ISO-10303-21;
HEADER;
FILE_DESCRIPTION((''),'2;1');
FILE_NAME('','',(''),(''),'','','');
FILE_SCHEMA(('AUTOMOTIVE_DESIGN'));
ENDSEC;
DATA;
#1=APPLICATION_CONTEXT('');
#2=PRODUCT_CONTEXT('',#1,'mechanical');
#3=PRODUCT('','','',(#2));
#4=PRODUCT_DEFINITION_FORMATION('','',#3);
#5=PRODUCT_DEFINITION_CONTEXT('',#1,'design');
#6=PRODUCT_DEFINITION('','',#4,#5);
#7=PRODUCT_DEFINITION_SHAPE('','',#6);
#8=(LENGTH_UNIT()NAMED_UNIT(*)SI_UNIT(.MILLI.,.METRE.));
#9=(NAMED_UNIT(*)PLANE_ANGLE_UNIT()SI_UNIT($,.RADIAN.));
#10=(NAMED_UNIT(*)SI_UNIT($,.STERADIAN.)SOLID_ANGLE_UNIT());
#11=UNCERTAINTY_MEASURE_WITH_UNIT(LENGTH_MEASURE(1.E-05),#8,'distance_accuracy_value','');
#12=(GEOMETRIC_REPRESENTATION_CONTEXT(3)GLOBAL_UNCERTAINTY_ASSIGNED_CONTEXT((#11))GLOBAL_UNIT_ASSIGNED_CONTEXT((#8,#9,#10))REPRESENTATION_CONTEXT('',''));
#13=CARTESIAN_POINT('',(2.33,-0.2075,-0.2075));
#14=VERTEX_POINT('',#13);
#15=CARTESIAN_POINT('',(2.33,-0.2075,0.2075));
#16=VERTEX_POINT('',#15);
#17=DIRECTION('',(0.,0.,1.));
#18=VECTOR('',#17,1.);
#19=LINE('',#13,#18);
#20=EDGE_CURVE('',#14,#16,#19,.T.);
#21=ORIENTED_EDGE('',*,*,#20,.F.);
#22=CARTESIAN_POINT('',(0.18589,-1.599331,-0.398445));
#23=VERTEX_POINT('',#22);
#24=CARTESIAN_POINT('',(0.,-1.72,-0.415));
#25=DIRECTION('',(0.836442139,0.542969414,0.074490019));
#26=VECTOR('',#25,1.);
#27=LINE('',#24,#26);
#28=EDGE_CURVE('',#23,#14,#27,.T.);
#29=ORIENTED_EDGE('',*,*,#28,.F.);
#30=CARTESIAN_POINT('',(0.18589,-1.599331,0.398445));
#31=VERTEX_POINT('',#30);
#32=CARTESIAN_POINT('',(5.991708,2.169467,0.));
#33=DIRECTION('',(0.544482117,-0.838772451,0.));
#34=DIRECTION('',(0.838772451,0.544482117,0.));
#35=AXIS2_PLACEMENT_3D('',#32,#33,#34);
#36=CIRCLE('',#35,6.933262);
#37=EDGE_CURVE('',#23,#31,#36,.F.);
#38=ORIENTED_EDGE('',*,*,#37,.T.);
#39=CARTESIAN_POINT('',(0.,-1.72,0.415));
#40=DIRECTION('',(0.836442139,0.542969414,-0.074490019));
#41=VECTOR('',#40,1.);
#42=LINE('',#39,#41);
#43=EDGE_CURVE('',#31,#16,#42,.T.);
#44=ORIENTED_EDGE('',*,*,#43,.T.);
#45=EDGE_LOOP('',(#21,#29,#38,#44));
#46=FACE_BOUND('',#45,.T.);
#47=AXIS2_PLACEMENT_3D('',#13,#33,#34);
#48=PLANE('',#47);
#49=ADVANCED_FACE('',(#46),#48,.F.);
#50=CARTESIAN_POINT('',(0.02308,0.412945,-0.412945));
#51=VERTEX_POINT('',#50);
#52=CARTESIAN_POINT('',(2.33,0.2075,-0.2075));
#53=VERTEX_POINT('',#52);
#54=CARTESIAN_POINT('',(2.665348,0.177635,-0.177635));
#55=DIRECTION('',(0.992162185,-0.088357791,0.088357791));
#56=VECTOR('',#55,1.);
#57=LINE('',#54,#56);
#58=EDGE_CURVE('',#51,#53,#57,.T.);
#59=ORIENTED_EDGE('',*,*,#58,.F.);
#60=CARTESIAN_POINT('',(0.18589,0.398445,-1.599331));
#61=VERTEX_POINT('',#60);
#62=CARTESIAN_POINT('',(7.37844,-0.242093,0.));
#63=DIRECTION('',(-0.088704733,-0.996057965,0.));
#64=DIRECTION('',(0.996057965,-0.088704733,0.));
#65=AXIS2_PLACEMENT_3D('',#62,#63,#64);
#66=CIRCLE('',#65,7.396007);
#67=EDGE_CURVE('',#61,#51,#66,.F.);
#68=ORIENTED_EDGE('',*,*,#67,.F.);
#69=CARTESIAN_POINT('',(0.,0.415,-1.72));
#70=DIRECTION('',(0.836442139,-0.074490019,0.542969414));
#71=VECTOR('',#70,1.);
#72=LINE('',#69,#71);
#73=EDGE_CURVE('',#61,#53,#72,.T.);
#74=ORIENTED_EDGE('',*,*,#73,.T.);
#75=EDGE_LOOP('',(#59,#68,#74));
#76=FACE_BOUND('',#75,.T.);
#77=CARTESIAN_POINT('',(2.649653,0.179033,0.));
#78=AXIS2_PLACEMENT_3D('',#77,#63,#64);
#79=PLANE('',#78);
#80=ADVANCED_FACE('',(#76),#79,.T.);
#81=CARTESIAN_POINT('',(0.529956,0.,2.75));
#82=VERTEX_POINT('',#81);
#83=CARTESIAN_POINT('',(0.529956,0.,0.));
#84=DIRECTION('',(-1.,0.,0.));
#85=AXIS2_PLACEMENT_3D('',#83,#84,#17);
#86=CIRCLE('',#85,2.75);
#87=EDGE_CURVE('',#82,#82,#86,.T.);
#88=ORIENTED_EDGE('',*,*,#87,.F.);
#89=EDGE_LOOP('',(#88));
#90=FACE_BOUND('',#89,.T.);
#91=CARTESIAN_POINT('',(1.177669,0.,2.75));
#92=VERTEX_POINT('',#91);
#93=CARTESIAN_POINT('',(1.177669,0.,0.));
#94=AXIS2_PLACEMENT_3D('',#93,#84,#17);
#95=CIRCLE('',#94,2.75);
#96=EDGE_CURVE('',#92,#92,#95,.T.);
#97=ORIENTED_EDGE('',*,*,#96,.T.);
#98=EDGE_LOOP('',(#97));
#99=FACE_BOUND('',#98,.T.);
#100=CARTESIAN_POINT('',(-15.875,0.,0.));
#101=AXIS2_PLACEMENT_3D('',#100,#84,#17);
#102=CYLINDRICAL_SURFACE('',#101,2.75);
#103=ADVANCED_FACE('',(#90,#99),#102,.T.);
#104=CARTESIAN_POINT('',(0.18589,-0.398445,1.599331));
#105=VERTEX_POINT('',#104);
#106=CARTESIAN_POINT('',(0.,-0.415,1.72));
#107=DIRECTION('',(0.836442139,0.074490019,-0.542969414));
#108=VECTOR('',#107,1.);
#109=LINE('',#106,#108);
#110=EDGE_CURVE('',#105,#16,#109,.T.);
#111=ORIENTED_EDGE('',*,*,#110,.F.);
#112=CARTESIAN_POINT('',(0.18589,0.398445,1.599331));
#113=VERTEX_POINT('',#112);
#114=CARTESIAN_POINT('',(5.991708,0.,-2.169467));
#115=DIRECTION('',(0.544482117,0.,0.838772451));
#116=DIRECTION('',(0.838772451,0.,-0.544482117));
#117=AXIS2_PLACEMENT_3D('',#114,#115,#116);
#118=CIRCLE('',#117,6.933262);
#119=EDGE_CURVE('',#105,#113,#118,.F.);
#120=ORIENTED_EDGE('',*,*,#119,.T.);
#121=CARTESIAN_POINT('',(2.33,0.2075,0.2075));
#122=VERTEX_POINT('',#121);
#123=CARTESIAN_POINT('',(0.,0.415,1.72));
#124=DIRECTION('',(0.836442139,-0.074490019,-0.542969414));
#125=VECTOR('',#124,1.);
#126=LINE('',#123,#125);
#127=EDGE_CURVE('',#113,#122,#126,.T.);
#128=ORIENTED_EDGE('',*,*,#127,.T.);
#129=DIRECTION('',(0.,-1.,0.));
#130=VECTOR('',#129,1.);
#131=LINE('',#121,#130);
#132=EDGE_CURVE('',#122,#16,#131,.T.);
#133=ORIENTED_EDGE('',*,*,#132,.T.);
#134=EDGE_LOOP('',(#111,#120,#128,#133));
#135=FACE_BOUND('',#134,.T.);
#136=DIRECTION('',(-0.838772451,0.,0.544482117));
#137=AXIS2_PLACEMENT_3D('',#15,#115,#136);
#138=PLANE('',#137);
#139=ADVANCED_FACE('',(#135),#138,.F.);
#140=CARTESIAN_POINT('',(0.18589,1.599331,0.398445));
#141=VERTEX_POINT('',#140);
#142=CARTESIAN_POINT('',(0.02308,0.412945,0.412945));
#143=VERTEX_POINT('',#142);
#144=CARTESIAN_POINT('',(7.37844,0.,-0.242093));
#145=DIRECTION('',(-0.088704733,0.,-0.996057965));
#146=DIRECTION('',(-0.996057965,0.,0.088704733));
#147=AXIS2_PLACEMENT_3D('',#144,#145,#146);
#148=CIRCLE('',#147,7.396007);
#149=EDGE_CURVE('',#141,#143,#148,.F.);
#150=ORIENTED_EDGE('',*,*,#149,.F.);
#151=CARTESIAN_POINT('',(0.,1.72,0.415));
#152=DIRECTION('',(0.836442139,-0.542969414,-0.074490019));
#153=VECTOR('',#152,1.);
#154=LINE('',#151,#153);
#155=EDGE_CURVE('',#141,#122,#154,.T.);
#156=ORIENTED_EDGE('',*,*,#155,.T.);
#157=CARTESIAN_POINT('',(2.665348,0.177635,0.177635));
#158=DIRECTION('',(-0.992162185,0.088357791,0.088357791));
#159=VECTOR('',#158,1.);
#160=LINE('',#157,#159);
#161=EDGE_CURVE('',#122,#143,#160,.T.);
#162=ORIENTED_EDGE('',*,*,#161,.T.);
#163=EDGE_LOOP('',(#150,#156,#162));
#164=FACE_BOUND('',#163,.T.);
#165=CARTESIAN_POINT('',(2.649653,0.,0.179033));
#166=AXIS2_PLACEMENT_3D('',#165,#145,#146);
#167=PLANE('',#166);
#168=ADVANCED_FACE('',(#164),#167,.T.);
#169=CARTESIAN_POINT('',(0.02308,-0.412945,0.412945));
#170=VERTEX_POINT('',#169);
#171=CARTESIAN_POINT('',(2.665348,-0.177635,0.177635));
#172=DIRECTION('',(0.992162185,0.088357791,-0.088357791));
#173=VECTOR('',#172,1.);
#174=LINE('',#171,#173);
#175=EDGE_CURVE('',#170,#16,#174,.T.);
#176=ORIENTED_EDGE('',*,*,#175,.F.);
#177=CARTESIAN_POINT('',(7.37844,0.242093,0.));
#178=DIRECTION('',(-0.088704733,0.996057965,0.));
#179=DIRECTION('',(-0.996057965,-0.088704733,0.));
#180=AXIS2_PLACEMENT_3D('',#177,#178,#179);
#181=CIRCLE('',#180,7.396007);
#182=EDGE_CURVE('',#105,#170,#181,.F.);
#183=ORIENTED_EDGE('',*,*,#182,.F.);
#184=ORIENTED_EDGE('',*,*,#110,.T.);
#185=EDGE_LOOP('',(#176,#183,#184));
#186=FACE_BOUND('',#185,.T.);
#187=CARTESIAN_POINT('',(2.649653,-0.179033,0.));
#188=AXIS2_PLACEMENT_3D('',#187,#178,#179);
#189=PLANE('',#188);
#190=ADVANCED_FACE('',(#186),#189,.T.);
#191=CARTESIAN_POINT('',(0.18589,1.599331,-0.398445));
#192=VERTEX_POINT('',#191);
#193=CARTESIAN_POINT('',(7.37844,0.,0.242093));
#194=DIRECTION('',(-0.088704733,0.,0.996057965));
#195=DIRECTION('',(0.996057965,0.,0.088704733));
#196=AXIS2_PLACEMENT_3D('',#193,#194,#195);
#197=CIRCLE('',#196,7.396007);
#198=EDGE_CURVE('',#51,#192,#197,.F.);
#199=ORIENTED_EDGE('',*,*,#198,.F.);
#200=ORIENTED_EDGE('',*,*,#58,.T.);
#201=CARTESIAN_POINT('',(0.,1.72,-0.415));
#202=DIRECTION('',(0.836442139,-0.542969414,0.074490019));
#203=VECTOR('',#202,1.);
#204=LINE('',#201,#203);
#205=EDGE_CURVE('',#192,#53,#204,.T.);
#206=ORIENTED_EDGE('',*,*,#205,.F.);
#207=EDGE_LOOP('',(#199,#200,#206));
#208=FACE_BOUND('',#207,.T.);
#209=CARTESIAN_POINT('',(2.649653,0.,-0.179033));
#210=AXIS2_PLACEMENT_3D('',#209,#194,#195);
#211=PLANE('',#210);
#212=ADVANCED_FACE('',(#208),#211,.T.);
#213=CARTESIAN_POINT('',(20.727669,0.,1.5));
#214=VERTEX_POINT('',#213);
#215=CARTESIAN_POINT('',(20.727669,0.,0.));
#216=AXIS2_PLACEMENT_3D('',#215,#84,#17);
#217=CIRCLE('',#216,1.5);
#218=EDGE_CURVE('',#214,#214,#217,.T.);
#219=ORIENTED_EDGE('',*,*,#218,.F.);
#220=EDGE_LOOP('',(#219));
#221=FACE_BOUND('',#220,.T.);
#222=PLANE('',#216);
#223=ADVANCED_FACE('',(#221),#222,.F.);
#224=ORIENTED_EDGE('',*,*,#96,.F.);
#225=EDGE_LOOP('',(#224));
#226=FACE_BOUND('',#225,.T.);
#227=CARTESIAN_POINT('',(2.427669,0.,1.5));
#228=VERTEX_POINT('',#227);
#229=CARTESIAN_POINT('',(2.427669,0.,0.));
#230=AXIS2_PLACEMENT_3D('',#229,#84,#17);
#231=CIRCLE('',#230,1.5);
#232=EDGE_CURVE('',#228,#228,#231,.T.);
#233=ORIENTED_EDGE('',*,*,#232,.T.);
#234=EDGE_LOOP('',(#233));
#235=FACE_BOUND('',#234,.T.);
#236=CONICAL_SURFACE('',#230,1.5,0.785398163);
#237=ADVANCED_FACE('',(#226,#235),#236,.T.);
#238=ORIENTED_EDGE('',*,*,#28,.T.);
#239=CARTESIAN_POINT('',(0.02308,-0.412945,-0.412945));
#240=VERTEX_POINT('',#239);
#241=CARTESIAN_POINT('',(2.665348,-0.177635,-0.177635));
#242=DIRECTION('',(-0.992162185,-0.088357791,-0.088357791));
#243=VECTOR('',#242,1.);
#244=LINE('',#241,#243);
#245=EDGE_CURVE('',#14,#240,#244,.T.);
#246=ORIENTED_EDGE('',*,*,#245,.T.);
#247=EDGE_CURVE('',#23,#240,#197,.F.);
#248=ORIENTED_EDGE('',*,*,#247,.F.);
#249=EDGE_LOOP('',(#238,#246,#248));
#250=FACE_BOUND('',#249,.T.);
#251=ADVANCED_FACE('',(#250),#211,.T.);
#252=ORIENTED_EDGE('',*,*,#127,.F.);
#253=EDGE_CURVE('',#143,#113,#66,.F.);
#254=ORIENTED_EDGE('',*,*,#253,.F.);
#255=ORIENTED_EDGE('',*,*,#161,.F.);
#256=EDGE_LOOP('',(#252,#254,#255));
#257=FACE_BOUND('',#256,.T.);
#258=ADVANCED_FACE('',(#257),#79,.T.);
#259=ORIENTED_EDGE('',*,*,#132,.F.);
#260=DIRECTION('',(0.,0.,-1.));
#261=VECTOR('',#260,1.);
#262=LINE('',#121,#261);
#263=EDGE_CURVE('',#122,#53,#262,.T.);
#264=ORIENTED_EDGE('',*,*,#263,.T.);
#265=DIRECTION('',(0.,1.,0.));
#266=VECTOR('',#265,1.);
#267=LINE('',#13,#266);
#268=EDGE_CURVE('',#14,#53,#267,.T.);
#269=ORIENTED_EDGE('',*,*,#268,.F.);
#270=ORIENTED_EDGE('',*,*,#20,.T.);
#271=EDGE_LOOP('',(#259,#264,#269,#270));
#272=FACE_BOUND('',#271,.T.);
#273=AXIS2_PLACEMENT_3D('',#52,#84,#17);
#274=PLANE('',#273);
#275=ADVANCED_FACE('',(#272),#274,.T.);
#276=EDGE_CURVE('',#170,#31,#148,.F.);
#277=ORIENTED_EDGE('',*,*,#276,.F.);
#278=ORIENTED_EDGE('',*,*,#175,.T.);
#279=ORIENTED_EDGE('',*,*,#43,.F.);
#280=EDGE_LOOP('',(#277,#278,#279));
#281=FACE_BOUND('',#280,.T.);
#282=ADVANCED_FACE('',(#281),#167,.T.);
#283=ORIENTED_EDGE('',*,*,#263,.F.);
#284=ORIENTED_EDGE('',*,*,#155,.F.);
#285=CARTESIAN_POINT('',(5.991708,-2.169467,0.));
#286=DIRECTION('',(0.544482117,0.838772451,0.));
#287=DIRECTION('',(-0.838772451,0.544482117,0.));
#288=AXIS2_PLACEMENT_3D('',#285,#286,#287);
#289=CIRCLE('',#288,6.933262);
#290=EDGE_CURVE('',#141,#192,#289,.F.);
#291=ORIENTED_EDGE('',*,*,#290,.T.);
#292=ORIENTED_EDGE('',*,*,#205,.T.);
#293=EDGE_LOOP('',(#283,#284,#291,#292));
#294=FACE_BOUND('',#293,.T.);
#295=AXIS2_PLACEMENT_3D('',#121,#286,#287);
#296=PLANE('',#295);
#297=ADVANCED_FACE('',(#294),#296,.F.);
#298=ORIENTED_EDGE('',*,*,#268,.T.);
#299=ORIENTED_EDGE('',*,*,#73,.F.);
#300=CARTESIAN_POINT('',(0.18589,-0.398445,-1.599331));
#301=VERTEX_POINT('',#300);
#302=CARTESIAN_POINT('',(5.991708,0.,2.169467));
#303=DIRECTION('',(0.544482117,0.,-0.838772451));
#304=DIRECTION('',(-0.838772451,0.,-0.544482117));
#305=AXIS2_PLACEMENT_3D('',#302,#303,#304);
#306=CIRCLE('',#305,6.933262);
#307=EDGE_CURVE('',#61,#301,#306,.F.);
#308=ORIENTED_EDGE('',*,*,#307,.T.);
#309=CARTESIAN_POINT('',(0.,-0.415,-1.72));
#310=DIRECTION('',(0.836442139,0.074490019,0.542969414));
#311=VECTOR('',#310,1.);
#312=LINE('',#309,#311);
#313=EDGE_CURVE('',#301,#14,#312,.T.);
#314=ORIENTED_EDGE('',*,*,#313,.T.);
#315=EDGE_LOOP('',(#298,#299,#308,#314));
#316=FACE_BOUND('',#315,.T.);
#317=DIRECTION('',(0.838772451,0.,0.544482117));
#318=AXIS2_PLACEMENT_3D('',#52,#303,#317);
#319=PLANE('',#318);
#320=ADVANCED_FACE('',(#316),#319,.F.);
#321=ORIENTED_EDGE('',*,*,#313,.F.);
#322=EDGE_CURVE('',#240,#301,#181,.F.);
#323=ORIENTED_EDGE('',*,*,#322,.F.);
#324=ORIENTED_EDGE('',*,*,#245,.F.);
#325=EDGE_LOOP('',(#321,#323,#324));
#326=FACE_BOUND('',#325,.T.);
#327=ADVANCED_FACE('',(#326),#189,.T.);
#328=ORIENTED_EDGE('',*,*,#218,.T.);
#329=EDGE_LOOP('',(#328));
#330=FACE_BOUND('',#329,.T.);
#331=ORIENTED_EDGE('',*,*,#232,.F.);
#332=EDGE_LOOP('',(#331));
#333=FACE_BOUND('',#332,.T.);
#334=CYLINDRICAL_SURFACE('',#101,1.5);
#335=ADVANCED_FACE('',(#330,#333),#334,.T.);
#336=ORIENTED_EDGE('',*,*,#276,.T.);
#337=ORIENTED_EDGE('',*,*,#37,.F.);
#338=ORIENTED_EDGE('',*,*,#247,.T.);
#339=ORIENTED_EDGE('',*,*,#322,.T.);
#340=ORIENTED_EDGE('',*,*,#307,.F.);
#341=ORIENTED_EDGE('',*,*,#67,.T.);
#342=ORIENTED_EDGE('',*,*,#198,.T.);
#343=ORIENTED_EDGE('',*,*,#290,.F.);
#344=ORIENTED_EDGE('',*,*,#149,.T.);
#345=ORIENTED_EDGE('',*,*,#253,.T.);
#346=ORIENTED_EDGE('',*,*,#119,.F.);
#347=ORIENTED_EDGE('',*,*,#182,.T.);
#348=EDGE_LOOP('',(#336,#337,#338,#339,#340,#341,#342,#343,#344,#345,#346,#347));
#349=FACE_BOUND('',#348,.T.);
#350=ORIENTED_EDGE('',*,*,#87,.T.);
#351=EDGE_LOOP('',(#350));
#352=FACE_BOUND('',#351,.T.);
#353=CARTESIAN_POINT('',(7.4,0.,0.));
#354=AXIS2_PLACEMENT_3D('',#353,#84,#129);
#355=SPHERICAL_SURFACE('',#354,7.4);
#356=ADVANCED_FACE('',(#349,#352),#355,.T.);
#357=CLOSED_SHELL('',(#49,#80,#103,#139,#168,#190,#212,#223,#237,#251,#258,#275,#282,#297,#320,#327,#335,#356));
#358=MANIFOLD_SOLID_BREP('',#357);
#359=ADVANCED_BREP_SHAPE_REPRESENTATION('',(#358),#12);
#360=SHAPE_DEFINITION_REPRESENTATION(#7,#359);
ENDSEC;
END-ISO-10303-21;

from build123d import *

# Parameters (mm, degrees)
CIRPATTERN1_COUNT = 2
CIRPATTERN1_ANGLE = 90


with BuildPart() as part:
    # BodySke → Base-Revolve (revolve)
    with BuildSketch(Plane.XY, mode=Mode.PRIVATE) as base_revolve_sk:
        with BuildLine():
            Line((0, 0), (20.727669073, 0))
            Line((20.727669073, 0), (20.727669073, 1.5))
            Line((20.727669073, 1.5), (2.427669073, 1.5))
            Line((2.427669073, 1.5), (1.177669073, 2.75))
            Line((1.177669073, 2.75), (0.529956332, 2.75))
            ThreePointArc((0.529956332, 2.75), (0.133696843, 1.400299407), (0, 0))
        make_face()
    revolve(base_revolve_sk.sketch.rotate(Axis((-15.875, 0, 0), (1, 0, 0)), 90), axis=Axis((-15.875, 0, 0), (1, 0, 0)))

    # Sketch3 → Cross section 0
    with BuildSketch(Plane(origin=(0, 0, 0), x_dir=(0, 0, -1), z_dir=(1, 0, 0))):
        with BuildLine():
            Line((0.415, -1.72), (-0.415, -1.72))
            Line((-0.415, -1.72), (-0.415, 1.72))
            Line((-0.415, 1.72), (0.415, 1.72))
            Line((0.415, 1.72), (0.415, -1.72))
        make_face()
    # Sketch4 → Cross section 1
    with BuildSketch(Plane(origin=(2.33, 0, 0), x_dir=(0, 0, -1), z_dir=(1, 0, 0))):
        with BuildLine():
            Line((0.2075, -0.2075), (-0.2075, -0.2075))
            Line((-0.2075, -0.2075), (-0.2075, 0.2075))
            Line((-0.2075, 0.2075), (0.2075, 0.2075))
            Line((0.2075, 0.2075), (0.2075, -0.2075))
        make_face()
    cross = loft(mode=Mode.SUBTRACT)

    # CirPattern1: Cross ×2 about axis
    cirpattern1_axis = Axis((0, 0, 0), (1, 0, 0))
    for i in range(1, CIRPATTERN1_COUNT):
        add(cross.rotate(cirpattern1_axis, i * CIRPATTERN1_ANGLE / (CIRPATTERN1_COUNT - 1)), mode=Mode.SUBTRACT)


solid = part.part
